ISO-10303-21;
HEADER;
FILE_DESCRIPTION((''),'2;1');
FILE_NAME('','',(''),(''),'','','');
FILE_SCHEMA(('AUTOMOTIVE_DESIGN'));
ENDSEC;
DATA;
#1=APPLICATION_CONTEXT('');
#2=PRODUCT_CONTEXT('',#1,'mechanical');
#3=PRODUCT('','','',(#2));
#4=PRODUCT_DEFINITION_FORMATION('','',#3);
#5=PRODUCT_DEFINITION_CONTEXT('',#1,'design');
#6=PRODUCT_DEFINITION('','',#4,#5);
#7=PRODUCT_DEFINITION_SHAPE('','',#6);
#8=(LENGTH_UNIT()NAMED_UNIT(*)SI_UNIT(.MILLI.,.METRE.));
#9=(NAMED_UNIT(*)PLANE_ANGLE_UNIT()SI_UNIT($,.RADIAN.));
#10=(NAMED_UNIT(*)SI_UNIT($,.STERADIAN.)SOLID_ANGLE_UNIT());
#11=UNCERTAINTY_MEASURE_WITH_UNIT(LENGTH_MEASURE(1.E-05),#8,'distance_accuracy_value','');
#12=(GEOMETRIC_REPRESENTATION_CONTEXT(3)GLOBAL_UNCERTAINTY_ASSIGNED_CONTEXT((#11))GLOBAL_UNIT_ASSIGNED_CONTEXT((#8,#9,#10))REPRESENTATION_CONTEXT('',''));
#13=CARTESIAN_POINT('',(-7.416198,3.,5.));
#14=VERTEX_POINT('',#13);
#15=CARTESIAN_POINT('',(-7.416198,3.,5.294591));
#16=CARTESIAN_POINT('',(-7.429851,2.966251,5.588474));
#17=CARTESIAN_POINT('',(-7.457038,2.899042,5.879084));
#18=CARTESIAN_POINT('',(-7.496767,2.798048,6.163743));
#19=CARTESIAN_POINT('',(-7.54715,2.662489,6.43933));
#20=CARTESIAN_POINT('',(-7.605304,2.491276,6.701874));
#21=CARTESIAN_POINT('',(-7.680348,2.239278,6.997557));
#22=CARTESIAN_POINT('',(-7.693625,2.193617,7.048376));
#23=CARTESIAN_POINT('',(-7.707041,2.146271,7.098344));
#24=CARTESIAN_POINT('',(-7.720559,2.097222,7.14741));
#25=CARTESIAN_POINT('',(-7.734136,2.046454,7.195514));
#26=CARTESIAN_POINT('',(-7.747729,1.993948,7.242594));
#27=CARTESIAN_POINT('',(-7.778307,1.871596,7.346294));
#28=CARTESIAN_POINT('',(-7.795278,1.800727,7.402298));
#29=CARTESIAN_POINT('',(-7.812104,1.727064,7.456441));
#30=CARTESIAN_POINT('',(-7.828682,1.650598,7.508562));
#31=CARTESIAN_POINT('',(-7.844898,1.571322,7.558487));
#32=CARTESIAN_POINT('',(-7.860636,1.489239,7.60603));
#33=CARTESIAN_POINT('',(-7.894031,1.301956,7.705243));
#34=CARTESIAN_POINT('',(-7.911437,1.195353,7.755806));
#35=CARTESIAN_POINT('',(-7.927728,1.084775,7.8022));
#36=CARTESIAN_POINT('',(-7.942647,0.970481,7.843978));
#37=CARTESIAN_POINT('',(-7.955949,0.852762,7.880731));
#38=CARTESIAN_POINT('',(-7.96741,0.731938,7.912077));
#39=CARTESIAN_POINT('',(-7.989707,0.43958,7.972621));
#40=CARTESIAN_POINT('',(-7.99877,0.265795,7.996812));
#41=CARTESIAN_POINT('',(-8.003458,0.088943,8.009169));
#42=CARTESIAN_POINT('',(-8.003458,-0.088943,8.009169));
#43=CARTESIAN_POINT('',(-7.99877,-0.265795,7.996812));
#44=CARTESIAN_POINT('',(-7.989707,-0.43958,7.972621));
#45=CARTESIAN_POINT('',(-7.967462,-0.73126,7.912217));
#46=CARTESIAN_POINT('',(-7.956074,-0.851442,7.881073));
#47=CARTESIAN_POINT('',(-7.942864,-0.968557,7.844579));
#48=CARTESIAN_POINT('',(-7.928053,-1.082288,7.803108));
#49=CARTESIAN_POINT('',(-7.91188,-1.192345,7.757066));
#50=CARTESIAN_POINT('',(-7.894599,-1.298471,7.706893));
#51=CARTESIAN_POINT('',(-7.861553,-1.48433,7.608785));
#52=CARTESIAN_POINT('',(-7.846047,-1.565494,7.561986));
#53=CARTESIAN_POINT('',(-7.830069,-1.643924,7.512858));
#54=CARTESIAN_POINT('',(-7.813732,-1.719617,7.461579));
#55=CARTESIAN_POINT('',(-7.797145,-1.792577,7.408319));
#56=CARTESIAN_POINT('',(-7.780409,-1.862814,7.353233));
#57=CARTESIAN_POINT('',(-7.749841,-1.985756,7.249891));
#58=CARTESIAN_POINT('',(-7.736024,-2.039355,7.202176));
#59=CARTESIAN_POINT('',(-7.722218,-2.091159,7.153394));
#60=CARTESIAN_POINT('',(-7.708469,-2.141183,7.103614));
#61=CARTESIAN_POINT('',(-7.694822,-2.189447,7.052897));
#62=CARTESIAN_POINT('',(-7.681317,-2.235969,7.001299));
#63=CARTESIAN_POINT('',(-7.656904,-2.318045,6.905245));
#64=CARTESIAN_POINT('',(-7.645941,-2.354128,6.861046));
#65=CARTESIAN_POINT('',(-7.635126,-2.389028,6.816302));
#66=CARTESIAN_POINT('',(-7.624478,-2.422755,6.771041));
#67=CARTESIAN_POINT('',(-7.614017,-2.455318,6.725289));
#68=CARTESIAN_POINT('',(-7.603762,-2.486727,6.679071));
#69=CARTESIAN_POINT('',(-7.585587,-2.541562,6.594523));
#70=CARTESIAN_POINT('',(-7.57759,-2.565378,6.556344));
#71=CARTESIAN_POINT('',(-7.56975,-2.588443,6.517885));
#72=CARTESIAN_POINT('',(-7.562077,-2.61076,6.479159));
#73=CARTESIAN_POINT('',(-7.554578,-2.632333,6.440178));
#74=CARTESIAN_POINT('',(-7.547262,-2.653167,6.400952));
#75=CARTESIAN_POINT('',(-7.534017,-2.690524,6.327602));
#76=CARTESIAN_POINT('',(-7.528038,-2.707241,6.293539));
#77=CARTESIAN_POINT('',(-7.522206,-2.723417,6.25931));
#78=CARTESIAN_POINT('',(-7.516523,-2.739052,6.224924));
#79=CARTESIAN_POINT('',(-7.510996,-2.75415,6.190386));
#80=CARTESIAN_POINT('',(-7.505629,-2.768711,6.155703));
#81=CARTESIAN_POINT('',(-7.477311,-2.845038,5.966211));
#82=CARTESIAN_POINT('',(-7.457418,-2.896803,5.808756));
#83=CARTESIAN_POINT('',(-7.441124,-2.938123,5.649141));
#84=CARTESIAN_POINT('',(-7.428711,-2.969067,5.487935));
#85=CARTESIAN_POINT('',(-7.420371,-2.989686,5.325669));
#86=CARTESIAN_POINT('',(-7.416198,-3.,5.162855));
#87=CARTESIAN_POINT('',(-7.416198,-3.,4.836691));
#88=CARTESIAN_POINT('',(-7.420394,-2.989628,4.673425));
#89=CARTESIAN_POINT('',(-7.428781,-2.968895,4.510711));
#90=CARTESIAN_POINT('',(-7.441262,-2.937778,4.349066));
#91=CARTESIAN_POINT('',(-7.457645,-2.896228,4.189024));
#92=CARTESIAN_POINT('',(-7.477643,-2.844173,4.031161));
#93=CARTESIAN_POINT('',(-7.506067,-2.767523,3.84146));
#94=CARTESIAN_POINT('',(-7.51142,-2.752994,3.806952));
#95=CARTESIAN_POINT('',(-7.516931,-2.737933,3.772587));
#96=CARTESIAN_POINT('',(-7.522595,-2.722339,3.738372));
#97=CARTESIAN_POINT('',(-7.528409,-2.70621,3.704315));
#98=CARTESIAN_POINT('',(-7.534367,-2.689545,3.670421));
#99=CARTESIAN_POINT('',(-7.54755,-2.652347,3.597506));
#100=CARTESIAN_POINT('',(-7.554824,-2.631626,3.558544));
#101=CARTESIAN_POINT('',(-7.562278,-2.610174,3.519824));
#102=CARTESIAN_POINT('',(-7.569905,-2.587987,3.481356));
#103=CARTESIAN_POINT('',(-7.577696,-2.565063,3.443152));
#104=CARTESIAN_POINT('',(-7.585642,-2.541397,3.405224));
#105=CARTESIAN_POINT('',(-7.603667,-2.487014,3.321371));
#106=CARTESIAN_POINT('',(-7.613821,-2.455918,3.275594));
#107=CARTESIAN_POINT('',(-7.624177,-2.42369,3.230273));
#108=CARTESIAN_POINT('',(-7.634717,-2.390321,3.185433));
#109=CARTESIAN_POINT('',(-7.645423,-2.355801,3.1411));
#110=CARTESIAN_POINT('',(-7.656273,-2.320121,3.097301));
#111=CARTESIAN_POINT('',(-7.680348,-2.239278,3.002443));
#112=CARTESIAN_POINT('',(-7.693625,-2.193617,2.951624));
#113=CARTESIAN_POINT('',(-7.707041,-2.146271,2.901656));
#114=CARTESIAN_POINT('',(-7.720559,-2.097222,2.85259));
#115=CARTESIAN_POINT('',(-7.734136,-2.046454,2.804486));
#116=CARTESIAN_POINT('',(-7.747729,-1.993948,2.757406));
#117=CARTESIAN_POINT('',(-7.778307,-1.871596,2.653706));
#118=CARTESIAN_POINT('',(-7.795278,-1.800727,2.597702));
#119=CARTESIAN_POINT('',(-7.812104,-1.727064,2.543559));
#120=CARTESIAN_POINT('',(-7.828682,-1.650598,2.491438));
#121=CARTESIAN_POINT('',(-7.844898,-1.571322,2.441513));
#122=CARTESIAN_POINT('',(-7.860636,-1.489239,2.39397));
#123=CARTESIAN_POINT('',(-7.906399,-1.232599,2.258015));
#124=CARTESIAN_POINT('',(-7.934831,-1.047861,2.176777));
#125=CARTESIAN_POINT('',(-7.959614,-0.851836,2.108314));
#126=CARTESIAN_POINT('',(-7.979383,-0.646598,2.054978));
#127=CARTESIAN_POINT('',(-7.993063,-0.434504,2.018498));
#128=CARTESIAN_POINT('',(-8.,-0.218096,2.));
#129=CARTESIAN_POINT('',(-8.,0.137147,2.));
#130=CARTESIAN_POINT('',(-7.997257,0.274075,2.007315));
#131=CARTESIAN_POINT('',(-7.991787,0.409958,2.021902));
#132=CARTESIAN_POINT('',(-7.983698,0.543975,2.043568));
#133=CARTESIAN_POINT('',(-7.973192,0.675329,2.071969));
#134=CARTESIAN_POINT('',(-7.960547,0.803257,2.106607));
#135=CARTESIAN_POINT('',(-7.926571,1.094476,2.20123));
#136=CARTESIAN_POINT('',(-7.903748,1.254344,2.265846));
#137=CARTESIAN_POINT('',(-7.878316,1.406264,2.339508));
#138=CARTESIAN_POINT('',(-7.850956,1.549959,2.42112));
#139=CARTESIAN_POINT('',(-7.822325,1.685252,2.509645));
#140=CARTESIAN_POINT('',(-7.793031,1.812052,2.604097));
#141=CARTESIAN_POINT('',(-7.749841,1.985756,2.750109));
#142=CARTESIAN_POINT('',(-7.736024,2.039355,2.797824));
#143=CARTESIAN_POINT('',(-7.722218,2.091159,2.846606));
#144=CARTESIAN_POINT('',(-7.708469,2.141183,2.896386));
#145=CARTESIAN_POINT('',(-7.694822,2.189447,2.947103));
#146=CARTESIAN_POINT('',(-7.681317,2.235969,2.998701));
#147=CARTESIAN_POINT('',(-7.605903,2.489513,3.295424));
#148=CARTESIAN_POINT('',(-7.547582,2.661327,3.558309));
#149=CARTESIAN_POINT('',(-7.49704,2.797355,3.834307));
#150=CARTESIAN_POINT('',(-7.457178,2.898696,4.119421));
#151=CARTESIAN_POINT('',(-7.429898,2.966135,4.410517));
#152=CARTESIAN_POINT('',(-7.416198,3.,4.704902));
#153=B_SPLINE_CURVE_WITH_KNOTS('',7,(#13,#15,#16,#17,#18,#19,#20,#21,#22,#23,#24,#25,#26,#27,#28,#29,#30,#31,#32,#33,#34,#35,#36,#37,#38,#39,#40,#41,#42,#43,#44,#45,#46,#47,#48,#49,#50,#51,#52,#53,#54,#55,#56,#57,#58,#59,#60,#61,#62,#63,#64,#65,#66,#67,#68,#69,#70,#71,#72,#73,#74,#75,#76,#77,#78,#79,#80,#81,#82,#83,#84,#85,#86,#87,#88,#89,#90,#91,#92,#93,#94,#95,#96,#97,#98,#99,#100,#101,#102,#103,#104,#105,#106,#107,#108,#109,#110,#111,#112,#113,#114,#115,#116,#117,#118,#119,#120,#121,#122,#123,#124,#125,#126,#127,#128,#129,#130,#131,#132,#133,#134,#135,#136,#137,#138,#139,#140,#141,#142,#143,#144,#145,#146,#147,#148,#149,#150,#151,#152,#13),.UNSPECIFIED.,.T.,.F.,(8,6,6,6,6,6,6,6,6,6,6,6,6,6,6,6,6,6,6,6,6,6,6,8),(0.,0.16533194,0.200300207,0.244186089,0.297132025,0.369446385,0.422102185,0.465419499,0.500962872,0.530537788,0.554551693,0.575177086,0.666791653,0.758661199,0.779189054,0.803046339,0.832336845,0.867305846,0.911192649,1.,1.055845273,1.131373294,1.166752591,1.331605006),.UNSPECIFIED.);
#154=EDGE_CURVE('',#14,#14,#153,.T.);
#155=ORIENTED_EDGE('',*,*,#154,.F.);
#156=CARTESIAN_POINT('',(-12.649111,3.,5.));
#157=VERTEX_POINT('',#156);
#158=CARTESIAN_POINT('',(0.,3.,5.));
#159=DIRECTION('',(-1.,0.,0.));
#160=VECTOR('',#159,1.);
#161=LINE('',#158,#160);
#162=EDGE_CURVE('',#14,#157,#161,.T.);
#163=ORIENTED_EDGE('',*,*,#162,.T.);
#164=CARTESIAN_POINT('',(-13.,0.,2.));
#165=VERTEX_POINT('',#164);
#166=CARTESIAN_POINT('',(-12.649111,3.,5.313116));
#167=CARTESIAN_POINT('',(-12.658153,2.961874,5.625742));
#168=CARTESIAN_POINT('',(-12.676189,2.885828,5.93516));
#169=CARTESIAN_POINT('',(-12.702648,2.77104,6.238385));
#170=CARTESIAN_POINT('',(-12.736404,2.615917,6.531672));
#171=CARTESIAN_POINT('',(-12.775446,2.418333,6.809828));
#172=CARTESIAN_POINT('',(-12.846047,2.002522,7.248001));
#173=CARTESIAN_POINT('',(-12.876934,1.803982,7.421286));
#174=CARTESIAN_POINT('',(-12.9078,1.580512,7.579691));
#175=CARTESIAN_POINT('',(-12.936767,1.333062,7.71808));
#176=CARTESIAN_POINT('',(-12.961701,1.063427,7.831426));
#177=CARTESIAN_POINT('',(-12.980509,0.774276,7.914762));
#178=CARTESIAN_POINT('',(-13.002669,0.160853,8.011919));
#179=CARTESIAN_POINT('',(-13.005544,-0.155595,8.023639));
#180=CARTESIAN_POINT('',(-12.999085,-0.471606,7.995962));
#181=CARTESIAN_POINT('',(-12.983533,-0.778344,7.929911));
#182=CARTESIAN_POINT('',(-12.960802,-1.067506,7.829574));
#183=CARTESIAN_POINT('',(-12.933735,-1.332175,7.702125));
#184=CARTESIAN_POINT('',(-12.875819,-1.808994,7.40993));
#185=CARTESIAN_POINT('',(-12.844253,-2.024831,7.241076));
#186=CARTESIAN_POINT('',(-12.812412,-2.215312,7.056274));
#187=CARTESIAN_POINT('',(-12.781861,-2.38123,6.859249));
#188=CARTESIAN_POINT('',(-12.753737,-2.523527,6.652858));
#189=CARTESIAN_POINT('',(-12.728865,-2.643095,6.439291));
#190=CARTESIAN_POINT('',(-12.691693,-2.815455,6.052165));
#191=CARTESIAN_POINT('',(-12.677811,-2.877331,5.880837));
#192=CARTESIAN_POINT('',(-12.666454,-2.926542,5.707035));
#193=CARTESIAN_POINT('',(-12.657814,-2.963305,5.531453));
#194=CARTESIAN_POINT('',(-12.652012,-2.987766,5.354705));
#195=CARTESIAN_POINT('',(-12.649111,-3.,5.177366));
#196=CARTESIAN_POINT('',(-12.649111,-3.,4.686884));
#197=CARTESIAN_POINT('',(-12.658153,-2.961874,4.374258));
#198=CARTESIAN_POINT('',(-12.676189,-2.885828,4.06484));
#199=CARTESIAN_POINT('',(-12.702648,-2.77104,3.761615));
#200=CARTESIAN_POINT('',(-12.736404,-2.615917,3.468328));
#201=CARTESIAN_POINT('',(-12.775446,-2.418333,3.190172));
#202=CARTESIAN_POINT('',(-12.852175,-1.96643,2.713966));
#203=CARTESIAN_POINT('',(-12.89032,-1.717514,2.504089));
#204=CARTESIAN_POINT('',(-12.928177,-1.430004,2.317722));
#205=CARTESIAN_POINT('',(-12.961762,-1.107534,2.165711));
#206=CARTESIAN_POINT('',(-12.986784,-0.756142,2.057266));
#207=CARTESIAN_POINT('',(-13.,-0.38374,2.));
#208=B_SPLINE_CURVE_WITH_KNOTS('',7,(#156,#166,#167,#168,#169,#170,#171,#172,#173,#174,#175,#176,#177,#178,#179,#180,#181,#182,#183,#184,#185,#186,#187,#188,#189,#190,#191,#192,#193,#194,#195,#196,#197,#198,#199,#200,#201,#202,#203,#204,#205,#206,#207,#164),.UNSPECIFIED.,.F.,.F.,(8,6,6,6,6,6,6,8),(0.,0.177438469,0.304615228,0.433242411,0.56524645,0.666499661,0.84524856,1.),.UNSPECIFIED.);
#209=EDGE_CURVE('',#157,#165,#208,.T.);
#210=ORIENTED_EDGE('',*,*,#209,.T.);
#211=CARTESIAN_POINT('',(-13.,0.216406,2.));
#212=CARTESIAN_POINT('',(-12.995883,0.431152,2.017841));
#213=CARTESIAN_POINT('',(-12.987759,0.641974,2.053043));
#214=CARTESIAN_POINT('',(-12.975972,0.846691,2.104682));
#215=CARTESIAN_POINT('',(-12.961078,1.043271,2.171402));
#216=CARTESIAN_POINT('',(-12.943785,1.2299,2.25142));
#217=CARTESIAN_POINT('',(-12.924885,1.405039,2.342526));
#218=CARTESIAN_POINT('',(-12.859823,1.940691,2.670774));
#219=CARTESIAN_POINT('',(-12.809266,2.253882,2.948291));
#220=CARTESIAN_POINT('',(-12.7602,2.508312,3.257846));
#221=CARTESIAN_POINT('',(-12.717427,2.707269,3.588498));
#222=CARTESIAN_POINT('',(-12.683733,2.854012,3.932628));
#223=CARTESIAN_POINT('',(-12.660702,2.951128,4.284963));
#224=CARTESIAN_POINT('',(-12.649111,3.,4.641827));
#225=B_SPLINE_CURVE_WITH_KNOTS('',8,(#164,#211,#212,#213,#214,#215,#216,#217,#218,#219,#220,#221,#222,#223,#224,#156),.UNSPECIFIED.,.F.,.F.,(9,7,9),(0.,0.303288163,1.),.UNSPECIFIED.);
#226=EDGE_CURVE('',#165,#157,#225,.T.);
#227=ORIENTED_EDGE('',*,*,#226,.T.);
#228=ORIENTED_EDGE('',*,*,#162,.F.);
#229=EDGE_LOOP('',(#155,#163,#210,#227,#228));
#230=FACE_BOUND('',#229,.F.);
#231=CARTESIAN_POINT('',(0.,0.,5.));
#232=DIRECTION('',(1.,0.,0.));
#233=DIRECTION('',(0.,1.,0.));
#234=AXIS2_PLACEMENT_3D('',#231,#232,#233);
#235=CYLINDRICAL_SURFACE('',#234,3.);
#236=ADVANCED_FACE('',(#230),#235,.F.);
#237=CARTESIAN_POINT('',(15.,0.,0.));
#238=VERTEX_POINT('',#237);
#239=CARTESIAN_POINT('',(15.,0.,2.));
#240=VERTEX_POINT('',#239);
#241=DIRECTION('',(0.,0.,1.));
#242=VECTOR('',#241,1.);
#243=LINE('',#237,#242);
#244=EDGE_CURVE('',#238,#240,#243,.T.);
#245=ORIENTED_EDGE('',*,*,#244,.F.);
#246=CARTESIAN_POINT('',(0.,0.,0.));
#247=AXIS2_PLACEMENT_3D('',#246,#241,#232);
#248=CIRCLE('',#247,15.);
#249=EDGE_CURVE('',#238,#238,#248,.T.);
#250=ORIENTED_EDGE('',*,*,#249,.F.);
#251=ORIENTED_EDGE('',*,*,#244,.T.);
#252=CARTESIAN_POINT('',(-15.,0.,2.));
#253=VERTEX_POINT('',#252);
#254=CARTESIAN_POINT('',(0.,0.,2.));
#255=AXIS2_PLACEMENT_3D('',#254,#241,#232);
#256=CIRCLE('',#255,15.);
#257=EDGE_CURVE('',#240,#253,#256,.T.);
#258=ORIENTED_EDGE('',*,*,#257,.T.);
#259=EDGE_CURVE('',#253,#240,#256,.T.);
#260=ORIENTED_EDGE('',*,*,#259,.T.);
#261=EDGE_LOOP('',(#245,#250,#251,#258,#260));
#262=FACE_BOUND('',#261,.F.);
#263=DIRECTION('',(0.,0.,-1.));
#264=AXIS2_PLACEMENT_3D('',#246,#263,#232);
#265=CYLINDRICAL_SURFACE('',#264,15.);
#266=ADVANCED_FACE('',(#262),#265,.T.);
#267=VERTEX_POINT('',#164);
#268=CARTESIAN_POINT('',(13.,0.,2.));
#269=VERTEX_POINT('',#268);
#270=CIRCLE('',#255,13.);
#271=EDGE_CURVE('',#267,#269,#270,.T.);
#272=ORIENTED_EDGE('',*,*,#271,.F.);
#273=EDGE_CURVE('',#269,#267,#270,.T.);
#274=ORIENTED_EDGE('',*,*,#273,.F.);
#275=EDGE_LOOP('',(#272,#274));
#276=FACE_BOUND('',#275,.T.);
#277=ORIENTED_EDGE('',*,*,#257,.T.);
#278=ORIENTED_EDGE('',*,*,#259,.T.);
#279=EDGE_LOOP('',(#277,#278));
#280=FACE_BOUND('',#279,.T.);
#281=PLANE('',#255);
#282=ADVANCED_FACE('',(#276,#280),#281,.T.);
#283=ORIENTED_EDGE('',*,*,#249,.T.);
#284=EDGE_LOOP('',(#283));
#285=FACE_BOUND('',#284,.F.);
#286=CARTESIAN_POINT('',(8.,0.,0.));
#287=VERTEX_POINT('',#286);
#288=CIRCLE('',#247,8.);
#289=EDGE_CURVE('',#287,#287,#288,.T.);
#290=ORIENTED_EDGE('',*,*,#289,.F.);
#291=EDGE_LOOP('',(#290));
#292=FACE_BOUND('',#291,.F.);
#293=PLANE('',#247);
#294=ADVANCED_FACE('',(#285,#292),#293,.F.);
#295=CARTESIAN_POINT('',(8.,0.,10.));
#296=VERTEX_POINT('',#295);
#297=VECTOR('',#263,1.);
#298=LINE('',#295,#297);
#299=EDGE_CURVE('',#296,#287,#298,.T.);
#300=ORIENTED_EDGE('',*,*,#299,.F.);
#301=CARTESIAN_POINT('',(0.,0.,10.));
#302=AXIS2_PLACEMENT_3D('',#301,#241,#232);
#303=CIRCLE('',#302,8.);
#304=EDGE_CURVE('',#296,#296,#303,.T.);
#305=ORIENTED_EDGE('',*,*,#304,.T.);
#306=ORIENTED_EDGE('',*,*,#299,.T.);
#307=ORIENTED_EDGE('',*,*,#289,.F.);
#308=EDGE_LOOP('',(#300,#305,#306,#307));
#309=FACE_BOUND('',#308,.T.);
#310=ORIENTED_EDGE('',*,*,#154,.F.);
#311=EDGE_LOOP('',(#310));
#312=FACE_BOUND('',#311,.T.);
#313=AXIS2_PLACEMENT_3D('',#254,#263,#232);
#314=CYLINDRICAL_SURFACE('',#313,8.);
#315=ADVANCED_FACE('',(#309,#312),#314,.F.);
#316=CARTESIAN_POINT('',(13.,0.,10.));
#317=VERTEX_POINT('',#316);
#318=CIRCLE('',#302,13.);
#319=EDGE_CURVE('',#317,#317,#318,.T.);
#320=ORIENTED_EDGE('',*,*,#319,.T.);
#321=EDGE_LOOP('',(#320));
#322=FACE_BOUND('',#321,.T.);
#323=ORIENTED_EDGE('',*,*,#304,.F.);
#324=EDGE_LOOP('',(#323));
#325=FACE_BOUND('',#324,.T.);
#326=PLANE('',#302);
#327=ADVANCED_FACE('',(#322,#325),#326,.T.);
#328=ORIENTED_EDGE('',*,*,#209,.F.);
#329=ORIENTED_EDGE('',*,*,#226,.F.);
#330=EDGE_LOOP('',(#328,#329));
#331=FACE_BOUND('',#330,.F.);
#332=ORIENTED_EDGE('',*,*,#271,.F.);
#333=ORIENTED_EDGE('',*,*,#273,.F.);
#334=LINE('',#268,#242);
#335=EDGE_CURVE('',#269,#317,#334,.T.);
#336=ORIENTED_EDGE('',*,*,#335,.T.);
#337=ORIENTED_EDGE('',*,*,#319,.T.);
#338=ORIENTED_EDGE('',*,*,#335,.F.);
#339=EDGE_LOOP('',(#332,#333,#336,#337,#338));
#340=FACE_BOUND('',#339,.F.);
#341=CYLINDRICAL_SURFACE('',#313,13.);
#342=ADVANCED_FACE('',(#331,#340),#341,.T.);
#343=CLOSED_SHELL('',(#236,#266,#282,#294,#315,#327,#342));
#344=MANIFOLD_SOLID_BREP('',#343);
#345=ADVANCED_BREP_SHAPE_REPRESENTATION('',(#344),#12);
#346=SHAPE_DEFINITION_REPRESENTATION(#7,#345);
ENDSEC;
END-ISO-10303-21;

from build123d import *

# Parameters (mm, degrees)
F0_R     = 15
F0_R_2   = 8
F1_DEPTH = 2
F2_R     = 13
F2_R_2   = 8
F3_DEPTH = 8
F5_D     = 6
F5_DEPTH = 25
F5_TIP   = 1.8025818571


with BuildPart() as f1:
    # F0 (on Top) → F1 (new body)
    with BuildSketch(Plane.XY):
        Circle(F0_R)
        Circle(F0_R_2, mode=Mode.SUBTRACT)
    extrude(amount=F1_DEPTH)

    # F2 (on face) → F3 (join)
    with BuildSketch(Plane.XY.offset(2)):
        Circle(F2_R)
        Circle(F2_R_2, mode=Mode.SUBTRACT)
    extrude(amount=F3_DEPTH)

    # F5 (one way)
    with BuildSketch(Plane.YZ):
        with Locations((0, 5)):
            Circle(F5_D / 2)
    extrude(amount=-F5_DEPTH, mode=Mode.SUBTRACT)
    with Locations(Plane.YZ):
        with Locations((0, 5)):
            with Locations((0, 0, -(F5_DEPTH + F5_TIP / 2))):  # 118° drill point
                Cone(0, F5_D / 2, F5_TIP, mode=Mode.SUBTRACT)


solid = f1.part
